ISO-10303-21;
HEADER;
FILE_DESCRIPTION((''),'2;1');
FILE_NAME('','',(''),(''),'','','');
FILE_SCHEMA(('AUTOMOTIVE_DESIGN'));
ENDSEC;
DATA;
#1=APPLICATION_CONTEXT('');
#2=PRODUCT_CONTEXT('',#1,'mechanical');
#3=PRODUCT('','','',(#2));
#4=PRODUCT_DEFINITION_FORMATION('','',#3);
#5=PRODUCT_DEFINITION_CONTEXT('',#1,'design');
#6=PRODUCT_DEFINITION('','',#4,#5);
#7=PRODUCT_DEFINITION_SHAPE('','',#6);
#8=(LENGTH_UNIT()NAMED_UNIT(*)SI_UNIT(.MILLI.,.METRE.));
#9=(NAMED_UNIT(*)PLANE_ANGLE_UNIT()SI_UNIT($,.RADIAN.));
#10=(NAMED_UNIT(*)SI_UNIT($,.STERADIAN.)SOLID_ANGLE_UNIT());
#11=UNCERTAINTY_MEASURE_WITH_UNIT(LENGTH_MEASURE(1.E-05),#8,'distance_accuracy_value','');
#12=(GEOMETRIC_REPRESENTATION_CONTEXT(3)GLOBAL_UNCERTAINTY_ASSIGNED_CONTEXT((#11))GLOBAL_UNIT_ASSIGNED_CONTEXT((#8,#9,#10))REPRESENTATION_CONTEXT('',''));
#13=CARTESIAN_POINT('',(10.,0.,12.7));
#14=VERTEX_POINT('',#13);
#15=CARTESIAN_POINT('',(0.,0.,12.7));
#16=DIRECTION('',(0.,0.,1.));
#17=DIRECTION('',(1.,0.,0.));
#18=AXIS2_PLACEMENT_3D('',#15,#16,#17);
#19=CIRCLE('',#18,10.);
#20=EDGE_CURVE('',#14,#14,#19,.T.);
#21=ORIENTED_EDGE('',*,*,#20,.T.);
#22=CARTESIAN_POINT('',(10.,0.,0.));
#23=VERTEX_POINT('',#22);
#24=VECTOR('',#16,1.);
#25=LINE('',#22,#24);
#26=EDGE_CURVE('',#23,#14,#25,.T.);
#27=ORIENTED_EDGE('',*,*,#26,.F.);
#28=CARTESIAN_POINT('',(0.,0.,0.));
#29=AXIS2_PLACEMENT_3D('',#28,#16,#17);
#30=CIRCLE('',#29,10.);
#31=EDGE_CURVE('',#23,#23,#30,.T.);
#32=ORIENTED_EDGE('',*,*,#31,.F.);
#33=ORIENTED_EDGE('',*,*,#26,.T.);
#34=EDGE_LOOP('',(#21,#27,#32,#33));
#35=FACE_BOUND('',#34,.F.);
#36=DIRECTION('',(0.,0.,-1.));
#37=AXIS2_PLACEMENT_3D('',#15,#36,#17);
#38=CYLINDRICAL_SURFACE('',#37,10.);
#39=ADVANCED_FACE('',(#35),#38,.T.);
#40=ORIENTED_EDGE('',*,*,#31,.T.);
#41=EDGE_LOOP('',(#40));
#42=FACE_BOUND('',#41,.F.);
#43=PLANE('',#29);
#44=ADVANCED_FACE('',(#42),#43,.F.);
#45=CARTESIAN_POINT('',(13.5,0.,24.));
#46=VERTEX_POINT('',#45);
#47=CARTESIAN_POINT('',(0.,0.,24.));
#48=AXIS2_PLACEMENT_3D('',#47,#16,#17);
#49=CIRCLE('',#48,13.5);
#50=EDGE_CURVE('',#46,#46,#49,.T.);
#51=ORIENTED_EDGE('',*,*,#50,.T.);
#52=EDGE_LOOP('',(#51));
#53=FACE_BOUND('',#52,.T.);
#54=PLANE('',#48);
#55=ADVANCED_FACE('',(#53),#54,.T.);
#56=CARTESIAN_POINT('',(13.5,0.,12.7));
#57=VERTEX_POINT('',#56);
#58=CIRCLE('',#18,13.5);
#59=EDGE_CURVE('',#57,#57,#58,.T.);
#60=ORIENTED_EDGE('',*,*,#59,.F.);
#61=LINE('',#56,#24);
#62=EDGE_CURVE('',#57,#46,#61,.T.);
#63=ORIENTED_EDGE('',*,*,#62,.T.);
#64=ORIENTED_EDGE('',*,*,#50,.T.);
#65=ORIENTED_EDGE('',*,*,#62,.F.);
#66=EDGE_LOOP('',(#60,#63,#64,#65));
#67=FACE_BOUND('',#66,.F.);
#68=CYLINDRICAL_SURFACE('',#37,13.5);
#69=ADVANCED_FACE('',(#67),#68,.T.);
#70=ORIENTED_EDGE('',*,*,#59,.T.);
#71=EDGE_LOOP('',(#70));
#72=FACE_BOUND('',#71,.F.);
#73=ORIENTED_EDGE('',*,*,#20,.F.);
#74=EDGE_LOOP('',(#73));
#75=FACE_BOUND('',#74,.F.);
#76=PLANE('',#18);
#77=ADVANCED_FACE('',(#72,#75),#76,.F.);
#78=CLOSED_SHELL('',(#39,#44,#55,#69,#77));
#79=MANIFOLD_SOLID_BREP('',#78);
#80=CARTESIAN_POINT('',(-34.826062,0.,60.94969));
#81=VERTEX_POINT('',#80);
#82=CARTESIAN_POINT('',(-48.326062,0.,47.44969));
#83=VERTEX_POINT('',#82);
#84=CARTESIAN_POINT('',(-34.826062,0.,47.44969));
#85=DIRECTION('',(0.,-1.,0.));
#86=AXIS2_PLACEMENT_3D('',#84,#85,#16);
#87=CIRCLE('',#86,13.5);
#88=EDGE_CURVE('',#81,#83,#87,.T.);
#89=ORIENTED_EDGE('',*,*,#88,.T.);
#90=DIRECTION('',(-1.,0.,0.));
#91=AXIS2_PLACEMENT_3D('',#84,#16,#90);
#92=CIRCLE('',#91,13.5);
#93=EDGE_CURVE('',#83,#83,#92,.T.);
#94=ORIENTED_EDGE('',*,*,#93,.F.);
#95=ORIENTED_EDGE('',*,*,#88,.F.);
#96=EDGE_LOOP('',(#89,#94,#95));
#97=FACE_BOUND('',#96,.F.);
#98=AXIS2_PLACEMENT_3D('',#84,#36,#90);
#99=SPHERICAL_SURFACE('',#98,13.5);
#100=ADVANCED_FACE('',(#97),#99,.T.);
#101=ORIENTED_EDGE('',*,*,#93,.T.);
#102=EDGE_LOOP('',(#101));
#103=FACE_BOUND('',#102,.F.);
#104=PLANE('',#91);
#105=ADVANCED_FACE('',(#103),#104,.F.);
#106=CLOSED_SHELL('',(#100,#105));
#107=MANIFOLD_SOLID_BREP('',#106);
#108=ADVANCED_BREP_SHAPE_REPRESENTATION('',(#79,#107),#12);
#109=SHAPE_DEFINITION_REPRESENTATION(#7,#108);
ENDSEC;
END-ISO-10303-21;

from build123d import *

# Parameters (mm, degrees)
F0_R     = 10
F1_DEPTH = 12.7
F2_R     = 10
F3_DEPTH = 11.3
F2_R_2   = 13.5
F4_DEPTH = 11.3


with BuildPart() as f1:
    # F0 (on Top) → F1 (new body)
    with BuildSketch(Plane.XY):
        Circle(F0_R)
    extrude(amount=F1_DEPTH)

    # F2 (on face) → F3 (join)
    with BuildSketch(Plane.XY.offset(12.7)):
        Circle(F2_R)
    extrude(amount=F3_DEPTH)

    # F2 (on face) → F4 (join, through all)
    with BuildSketch(Plane.XY.offset(12.7)):
        Circle(F2_R_2)
        Circle(F2_R, mode=Mode.SUBTRACT)
    extrude(amount=F4_DEPTH)


with BuildPart() as f7:
    # F6 (on Front) → F7 (revolve)
    with BuildSketch(Plane.XZ):
        with BuildLine():
            Line((-48.3260623291, 47.4496902898), (-34.8260623291, 47.4496902898))
            Line((-34.8260623291, 47.4496902898), (-34.8260623291, 60.9496902898))
            ThreePointArc((-34.8260623291, 60.9496902898), (-44.3720038751, 56.9956318358), (-48.3260623291, 47.4496902898))
        make_face()
    revolve(axis=Axis((-34.8260623291, 0, 54.1996902898), (0, 0, 1)))


solid = Compound([f1.part, f7.part])
